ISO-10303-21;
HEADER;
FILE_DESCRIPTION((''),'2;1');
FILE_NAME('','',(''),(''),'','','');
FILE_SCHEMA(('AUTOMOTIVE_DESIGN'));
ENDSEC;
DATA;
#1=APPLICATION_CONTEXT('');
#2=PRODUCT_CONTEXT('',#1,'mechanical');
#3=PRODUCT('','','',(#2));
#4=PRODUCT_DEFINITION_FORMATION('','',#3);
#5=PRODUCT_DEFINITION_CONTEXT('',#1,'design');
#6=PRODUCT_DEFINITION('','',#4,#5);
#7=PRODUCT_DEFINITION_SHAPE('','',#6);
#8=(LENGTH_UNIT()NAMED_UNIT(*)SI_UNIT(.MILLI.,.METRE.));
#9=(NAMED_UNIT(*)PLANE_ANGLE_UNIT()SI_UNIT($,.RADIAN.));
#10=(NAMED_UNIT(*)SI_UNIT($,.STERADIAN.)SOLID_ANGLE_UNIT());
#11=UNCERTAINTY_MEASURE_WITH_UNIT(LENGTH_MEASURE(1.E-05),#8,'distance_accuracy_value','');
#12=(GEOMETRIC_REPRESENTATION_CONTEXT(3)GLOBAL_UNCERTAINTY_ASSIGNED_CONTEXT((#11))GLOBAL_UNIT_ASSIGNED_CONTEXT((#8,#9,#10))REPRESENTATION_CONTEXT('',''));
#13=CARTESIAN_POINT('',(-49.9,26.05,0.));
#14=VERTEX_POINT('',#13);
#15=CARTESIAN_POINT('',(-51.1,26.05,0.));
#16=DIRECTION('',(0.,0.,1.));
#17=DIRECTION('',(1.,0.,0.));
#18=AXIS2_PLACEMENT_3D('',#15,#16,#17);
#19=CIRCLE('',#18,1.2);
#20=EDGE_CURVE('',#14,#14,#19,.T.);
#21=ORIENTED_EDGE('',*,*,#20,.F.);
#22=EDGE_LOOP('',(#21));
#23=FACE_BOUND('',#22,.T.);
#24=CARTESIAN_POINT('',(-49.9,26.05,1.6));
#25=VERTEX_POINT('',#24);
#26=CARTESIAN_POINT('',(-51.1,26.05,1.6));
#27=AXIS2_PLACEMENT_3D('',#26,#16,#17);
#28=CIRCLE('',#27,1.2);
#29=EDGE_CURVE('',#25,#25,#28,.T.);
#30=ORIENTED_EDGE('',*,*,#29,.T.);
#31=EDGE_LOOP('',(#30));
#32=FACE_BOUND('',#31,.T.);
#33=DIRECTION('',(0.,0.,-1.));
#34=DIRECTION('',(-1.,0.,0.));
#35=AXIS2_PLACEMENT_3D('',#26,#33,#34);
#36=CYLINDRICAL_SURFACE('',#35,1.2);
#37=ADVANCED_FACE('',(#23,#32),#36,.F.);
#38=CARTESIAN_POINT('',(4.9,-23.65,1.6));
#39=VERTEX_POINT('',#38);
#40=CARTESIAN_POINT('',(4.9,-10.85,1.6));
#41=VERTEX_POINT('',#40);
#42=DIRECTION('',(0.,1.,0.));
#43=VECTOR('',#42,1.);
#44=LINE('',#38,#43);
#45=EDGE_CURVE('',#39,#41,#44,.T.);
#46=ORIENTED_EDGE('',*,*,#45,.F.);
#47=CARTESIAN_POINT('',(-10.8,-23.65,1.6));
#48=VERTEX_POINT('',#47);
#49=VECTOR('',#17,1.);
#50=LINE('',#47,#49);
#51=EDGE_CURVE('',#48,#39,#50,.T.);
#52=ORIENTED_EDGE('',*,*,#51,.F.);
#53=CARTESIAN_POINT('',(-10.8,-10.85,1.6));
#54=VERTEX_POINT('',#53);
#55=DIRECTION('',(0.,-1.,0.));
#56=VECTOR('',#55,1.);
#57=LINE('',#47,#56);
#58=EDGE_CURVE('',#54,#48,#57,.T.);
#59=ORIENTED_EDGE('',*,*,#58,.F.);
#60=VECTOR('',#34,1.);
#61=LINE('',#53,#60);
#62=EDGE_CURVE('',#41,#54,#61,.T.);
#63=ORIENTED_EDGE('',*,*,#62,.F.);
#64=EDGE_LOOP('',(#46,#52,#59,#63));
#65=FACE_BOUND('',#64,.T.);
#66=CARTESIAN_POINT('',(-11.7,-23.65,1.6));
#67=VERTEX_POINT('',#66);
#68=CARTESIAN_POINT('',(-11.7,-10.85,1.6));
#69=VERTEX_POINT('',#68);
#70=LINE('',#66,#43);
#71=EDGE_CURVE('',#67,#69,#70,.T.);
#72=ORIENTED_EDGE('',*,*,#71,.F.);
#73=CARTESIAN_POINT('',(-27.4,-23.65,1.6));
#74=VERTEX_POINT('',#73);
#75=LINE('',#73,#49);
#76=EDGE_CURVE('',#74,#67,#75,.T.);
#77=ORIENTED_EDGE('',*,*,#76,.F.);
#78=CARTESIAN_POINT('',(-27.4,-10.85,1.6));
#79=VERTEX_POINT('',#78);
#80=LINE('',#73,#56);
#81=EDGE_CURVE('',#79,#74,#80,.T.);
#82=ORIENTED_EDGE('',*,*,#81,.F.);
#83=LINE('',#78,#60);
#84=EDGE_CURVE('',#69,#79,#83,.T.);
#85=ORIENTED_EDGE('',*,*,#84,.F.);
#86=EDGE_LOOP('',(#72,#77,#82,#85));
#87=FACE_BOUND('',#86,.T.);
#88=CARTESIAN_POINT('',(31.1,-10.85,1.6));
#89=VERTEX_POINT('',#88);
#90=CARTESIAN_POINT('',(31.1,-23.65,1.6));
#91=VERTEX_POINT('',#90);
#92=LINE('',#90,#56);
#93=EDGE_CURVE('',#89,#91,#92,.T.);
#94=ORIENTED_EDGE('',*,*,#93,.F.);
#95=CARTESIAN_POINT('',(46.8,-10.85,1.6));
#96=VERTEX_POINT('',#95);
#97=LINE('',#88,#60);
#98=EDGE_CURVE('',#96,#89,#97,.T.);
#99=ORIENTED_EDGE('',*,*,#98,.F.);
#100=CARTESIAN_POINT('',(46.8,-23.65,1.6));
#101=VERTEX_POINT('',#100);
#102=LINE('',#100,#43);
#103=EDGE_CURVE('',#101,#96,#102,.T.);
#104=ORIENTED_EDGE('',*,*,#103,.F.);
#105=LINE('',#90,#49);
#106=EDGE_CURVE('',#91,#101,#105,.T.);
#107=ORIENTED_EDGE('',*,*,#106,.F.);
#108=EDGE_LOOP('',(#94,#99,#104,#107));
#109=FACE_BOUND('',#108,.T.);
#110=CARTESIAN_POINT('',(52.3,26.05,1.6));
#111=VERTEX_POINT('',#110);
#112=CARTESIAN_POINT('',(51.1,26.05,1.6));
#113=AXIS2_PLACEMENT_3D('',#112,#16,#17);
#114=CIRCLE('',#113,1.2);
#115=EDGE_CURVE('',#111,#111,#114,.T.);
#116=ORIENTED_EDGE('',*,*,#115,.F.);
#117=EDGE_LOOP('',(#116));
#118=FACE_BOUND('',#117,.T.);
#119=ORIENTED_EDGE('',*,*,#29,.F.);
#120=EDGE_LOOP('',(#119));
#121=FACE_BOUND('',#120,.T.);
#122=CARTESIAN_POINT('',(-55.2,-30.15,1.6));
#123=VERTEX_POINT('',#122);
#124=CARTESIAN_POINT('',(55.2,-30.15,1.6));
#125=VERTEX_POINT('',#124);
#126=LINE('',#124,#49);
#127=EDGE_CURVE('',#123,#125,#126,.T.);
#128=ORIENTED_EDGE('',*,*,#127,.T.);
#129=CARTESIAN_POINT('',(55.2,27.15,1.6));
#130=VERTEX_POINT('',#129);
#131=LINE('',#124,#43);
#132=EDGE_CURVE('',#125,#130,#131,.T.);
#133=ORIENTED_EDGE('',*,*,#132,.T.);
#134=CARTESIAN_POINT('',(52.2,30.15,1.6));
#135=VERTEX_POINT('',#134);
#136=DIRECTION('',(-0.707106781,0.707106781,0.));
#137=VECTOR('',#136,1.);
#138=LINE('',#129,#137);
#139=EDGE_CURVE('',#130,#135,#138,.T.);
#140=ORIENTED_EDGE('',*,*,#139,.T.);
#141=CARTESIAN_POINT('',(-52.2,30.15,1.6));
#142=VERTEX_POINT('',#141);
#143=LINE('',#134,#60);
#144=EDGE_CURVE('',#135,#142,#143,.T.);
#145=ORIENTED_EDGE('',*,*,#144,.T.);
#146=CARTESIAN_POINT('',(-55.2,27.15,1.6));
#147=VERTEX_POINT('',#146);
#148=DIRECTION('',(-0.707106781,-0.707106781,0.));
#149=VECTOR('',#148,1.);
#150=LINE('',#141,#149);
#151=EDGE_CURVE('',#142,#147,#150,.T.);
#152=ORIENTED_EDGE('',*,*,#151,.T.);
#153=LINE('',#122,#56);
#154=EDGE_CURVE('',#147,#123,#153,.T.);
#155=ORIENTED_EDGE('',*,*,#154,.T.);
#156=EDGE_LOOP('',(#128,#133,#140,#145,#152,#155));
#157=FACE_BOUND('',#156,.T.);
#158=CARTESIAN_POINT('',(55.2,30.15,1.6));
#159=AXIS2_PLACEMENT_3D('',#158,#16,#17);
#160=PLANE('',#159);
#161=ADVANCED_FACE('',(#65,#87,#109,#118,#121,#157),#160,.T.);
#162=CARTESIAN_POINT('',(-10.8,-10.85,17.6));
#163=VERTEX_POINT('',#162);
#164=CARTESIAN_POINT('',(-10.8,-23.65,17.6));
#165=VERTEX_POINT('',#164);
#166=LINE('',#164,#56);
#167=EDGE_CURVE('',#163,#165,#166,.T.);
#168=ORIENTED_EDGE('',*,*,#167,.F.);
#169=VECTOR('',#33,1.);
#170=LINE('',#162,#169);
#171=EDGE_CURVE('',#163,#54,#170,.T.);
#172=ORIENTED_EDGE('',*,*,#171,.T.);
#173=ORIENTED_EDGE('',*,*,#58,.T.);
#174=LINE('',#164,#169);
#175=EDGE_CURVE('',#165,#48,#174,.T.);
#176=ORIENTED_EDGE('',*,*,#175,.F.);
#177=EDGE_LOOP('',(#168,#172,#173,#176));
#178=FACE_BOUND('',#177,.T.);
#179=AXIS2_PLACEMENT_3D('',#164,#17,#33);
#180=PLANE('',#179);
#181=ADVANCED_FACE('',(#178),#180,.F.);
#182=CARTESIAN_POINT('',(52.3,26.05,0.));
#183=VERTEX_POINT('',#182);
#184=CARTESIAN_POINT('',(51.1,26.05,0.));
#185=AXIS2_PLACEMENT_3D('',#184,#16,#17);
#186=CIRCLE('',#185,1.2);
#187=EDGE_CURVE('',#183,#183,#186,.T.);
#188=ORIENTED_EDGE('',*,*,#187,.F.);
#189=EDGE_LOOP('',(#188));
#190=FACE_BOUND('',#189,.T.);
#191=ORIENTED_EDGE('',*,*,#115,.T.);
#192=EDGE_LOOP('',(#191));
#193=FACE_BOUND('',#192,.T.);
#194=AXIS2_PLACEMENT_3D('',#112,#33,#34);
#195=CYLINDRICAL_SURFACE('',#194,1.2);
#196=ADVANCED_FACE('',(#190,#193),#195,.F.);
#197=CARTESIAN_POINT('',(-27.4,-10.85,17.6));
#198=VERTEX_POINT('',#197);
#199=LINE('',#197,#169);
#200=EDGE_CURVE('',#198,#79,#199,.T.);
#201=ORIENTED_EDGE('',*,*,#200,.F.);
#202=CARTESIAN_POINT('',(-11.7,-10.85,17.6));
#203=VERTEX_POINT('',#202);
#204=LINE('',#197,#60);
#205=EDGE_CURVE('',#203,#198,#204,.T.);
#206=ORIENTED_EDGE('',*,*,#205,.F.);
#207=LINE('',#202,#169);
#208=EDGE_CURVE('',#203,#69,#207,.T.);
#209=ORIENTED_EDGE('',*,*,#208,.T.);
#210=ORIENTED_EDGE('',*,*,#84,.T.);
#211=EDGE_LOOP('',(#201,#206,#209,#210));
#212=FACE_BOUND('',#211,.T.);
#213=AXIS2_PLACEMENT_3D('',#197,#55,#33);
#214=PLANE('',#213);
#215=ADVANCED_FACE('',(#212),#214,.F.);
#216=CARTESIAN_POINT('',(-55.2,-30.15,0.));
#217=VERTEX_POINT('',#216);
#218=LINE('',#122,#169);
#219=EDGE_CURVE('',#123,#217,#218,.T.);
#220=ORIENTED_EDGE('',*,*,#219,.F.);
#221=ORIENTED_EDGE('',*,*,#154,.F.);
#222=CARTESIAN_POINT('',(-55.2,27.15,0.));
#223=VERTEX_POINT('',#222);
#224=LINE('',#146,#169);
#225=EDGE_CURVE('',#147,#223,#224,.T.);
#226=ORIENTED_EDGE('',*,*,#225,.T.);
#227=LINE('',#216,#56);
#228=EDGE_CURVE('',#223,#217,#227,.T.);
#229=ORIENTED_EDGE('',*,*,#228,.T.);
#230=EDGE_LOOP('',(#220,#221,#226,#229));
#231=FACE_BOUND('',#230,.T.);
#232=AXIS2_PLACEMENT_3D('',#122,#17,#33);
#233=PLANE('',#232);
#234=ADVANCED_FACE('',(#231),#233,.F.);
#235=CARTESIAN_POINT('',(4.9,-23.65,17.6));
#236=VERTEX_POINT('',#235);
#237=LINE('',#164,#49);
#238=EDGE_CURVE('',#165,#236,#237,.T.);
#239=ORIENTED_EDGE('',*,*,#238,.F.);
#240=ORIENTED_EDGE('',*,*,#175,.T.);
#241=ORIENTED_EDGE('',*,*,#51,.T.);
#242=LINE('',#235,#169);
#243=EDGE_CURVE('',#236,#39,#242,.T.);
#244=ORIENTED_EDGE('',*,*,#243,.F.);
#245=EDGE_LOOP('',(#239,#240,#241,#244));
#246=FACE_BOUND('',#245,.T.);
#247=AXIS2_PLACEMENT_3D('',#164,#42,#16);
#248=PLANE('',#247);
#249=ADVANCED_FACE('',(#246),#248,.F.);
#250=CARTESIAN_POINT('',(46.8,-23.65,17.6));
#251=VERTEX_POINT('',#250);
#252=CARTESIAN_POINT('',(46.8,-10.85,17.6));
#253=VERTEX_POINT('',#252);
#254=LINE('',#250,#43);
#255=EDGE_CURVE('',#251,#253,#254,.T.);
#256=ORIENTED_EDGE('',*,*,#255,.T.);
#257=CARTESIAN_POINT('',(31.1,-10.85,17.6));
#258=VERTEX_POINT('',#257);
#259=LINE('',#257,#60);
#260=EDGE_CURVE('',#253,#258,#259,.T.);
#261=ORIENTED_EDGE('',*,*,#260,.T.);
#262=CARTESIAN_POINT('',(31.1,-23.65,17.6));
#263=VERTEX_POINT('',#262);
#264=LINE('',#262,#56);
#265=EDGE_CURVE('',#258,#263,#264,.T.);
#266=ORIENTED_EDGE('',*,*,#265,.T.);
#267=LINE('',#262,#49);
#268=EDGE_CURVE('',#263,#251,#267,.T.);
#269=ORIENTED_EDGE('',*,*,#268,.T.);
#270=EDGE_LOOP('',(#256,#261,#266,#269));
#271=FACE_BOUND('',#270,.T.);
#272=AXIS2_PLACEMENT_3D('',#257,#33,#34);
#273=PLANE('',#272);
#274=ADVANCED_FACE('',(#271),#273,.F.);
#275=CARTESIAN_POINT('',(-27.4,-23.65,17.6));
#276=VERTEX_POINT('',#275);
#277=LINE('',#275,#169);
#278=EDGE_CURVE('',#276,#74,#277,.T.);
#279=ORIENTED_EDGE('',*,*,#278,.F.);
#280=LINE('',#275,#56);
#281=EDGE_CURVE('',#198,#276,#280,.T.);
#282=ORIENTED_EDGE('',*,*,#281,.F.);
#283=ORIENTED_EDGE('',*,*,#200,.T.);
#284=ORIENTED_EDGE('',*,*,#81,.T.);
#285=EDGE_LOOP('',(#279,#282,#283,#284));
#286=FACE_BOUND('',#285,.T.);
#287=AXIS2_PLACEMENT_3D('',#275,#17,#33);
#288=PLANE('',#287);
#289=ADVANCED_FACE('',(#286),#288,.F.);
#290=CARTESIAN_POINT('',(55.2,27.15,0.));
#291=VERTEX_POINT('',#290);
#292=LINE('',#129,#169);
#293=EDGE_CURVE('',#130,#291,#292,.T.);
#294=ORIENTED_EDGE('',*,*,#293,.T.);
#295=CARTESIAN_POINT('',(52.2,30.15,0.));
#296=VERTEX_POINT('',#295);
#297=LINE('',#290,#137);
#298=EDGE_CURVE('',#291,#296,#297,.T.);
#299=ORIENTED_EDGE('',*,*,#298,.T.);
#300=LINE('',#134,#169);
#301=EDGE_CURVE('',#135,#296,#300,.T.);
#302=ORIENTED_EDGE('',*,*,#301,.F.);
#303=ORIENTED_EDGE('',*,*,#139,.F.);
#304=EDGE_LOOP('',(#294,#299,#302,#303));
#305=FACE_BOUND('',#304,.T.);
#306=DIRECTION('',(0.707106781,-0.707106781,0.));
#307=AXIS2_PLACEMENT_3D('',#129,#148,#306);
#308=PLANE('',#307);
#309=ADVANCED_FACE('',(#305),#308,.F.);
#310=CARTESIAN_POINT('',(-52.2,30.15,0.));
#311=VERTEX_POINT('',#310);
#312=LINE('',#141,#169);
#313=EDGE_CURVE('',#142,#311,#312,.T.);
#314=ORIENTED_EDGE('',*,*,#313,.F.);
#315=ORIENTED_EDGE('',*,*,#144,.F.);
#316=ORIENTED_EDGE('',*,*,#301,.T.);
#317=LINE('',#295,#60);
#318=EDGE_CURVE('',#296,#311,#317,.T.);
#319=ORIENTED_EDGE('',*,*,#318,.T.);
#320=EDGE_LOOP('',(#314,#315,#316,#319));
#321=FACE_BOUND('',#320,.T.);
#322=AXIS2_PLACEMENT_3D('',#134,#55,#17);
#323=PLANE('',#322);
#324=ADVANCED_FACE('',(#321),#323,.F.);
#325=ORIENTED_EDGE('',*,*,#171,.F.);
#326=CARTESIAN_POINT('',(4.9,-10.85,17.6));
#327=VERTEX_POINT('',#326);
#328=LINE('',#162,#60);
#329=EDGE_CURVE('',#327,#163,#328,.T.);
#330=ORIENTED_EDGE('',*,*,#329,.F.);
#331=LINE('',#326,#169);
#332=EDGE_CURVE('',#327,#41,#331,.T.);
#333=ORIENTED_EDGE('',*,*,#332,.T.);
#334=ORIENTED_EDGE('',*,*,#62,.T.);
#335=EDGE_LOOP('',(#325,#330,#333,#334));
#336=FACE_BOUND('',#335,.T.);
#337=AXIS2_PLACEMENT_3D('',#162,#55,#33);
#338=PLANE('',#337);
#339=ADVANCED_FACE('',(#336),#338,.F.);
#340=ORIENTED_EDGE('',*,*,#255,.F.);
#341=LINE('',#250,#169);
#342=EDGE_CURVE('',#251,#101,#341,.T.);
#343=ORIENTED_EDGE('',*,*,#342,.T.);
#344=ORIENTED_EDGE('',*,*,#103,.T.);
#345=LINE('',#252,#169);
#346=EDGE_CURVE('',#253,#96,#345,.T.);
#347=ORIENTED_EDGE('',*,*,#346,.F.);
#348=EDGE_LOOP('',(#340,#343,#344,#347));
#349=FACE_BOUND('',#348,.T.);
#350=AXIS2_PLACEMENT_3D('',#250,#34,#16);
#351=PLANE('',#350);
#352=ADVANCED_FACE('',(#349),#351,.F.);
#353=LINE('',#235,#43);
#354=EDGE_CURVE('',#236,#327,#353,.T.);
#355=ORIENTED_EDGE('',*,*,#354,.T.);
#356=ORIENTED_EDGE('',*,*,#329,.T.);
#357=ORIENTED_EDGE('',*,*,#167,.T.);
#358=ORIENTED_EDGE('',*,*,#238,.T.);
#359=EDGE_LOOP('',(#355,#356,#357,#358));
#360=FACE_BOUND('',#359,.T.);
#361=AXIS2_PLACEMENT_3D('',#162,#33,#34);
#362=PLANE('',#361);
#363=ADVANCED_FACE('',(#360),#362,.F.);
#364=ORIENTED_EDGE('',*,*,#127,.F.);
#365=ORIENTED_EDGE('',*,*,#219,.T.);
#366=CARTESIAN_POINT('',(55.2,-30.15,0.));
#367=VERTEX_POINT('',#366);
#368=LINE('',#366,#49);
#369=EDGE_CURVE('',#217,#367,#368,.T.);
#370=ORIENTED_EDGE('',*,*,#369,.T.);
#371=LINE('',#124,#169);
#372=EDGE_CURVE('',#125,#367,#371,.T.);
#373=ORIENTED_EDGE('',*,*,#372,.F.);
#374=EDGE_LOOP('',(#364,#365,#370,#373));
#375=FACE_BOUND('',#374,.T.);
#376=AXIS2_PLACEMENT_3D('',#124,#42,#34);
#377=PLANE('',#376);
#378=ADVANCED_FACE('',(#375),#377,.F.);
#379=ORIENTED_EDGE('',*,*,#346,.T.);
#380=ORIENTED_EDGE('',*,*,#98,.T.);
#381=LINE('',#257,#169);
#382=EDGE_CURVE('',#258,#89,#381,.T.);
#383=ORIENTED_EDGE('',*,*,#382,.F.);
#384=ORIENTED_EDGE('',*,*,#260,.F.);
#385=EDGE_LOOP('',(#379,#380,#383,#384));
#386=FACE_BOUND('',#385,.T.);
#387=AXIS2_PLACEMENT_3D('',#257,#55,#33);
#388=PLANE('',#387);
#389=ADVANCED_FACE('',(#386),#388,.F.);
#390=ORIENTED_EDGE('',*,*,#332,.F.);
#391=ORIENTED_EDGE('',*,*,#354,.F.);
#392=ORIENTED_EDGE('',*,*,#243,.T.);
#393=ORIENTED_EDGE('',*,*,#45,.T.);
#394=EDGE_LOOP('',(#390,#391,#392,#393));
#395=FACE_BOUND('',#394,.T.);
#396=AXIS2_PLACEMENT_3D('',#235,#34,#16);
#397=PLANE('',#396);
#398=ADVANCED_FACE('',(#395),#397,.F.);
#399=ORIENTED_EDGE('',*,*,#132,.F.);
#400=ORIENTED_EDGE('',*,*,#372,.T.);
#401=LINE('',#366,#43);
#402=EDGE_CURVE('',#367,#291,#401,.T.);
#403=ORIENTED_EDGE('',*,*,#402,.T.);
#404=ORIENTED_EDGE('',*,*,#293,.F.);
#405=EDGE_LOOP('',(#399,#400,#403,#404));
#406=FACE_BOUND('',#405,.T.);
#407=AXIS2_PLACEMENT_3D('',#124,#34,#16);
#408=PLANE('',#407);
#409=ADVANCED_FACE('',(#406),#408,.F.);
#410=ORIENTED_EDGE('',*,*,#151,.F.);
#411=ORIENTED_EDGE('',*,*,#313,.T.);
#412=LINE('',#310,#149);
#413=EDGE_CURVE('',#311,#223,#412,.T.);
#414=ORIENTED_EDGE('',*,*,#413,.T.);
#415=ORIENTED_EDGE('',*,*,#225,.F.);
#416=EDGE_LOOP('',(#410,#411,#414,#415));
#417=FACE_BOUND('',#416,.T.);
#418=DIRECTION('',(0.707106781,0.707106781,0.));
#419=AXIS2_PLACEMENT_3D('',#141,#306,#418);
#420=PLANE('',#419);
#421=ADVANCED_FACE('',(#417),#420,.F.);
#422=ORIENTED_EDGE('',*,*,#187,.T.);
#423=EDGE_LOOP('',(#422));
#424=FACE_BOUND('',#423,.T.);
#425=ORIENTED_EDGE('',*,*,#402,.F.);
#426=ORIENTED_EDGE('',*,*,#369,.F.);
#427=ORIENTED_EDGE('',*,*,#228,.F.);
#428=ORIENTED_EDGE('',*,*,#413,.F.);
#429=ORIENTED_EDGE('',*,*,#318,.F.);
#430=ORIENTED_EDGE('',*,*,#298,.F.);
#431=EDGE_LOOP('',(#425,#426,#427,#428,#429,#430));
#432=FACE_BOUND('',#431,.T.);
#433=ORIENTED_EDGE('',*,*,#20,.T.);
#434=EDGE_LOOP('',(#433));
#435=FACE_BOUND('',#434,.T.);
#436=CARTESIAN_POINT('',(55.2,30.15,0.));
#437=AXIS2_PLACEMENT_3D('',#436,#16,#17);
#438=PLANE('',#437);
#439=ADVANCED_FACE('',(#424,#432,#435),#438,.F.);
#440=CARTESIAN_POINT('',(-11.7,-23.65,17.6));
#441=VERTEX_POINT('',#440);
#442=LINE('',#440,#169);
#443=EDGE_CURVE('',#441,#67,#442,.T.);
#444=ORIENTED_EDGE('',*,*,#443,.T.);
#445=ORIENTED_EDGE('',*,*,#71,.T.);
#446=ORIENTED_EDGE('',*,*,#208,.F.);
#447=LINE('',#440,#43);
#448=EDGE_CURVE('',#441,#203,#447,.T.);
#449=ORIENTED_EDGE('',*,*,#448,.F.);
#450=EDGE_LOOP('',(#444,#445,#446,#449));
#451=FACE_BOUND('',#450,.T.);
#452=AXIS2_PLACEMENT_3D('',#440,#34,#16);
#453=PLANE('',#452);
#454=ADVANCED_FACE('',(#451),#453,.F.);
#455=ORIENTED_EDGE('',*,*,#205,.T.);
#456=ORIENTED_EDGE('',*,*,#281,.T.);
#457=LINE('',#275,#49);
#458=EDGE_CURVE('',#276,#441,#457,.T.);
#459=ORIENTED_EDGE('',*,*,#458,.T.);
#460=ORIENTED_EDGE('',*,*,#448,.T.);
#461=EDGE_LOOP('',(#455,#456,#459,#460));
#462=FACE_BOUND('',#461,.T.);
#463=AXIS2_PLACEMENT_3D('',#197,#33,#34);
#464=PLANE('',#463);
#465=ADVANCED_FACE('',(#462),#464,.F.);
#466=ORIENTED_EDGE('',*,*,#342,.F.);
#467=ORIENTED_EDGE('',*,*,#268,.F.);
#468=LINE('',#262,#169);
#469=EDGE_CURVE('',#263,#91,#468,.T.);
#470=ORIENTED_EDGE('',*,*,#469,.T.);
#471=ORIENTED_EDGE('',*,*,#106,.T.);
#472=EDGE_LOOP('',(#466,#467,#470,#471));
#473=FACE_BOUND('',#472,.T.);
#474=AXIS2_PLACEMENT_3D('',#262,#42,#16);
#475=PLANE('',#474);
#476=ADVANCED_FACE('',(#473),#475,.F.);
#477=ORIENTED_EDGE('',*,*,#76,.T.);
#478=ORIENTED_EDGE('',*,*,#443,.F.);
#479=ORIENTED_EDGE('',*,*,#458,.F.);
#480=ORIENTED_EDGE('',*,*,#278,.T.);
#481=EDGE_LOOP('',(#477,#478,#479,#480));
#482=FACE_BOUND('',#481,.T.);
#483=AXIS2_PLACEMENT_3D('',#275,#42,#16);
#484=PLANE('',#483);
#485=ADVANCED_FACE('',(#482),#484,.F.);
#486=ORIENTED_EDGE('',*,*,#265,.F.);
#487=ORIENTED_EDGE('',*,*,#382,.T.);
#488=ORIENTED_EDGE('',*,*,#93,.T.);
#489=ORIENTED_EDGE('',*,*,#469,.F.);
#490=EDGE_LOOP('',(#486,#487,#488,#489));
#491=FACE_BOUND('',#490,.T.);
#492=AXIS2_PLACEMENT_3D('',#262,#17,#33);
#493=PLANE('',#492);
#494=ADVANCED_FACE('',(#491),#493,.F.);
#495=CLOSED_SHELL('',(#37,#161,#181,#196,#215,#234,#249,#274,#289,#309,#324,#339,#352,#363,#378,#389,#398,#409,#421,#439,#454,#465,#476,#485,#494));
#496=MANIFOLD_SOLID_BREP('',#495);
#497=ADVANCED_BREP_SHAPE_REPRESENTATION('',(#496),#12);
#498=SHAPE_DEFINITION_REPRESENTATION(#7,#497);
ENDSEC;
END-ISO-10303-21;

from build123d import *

# Parameters (mm, degrees)
CROQUIS1_R              = 1.2
SALIENTE_EXTRUIR1_DEPTH = 1.6
CROQUIS2_W              = 15.7
CROQUIS2_H              = 12.8
SALIENTE_EXTRUIR2_DEPTH = 16


with BuildPart() as part:
    # Croquis1 → Saliente-Extruir1 (new body)
    with BuildSketch(Plane.XY):
        Polygon((55.2, -30.15), (-55.2, -30.15), (-55.2, 27.15), (-52.2, 30.15), (52.2, 30.15), (55.2, 27.15), align=None)
        with Locations((-51.1, 26.05)):
            Circle(CROQUIS1_R, mode=Mode.SUBTRACT)
        with Locations((51.1, 26.05)):
            Circle(CROQUIS1_R, mode=Mode.SUBTRACT)
    extrude(amount=SALIENTE_EXTRUIR1_DEPTH)

    # Croquis2 → Saliente-Extruir2 (add)
    with BuildSketch(Plane.XY.offset(1.6)):
        with Locations((-19.55, -17.25)):
            Rectangle(CROQUIS2_W, CROQUIS2_H)
        with Locations((-2.95, -17.25)):
            Rectangle(CROQUIS2_W, CROQUIS2_H)
        with Locations((38.95, -17.25)):
            Rectangle(CROQUIS2_W, CROQUIS2_H)
    extrude(amount=SALIENTE_EXTRUIR2_DEPTH)


solid = part.part
